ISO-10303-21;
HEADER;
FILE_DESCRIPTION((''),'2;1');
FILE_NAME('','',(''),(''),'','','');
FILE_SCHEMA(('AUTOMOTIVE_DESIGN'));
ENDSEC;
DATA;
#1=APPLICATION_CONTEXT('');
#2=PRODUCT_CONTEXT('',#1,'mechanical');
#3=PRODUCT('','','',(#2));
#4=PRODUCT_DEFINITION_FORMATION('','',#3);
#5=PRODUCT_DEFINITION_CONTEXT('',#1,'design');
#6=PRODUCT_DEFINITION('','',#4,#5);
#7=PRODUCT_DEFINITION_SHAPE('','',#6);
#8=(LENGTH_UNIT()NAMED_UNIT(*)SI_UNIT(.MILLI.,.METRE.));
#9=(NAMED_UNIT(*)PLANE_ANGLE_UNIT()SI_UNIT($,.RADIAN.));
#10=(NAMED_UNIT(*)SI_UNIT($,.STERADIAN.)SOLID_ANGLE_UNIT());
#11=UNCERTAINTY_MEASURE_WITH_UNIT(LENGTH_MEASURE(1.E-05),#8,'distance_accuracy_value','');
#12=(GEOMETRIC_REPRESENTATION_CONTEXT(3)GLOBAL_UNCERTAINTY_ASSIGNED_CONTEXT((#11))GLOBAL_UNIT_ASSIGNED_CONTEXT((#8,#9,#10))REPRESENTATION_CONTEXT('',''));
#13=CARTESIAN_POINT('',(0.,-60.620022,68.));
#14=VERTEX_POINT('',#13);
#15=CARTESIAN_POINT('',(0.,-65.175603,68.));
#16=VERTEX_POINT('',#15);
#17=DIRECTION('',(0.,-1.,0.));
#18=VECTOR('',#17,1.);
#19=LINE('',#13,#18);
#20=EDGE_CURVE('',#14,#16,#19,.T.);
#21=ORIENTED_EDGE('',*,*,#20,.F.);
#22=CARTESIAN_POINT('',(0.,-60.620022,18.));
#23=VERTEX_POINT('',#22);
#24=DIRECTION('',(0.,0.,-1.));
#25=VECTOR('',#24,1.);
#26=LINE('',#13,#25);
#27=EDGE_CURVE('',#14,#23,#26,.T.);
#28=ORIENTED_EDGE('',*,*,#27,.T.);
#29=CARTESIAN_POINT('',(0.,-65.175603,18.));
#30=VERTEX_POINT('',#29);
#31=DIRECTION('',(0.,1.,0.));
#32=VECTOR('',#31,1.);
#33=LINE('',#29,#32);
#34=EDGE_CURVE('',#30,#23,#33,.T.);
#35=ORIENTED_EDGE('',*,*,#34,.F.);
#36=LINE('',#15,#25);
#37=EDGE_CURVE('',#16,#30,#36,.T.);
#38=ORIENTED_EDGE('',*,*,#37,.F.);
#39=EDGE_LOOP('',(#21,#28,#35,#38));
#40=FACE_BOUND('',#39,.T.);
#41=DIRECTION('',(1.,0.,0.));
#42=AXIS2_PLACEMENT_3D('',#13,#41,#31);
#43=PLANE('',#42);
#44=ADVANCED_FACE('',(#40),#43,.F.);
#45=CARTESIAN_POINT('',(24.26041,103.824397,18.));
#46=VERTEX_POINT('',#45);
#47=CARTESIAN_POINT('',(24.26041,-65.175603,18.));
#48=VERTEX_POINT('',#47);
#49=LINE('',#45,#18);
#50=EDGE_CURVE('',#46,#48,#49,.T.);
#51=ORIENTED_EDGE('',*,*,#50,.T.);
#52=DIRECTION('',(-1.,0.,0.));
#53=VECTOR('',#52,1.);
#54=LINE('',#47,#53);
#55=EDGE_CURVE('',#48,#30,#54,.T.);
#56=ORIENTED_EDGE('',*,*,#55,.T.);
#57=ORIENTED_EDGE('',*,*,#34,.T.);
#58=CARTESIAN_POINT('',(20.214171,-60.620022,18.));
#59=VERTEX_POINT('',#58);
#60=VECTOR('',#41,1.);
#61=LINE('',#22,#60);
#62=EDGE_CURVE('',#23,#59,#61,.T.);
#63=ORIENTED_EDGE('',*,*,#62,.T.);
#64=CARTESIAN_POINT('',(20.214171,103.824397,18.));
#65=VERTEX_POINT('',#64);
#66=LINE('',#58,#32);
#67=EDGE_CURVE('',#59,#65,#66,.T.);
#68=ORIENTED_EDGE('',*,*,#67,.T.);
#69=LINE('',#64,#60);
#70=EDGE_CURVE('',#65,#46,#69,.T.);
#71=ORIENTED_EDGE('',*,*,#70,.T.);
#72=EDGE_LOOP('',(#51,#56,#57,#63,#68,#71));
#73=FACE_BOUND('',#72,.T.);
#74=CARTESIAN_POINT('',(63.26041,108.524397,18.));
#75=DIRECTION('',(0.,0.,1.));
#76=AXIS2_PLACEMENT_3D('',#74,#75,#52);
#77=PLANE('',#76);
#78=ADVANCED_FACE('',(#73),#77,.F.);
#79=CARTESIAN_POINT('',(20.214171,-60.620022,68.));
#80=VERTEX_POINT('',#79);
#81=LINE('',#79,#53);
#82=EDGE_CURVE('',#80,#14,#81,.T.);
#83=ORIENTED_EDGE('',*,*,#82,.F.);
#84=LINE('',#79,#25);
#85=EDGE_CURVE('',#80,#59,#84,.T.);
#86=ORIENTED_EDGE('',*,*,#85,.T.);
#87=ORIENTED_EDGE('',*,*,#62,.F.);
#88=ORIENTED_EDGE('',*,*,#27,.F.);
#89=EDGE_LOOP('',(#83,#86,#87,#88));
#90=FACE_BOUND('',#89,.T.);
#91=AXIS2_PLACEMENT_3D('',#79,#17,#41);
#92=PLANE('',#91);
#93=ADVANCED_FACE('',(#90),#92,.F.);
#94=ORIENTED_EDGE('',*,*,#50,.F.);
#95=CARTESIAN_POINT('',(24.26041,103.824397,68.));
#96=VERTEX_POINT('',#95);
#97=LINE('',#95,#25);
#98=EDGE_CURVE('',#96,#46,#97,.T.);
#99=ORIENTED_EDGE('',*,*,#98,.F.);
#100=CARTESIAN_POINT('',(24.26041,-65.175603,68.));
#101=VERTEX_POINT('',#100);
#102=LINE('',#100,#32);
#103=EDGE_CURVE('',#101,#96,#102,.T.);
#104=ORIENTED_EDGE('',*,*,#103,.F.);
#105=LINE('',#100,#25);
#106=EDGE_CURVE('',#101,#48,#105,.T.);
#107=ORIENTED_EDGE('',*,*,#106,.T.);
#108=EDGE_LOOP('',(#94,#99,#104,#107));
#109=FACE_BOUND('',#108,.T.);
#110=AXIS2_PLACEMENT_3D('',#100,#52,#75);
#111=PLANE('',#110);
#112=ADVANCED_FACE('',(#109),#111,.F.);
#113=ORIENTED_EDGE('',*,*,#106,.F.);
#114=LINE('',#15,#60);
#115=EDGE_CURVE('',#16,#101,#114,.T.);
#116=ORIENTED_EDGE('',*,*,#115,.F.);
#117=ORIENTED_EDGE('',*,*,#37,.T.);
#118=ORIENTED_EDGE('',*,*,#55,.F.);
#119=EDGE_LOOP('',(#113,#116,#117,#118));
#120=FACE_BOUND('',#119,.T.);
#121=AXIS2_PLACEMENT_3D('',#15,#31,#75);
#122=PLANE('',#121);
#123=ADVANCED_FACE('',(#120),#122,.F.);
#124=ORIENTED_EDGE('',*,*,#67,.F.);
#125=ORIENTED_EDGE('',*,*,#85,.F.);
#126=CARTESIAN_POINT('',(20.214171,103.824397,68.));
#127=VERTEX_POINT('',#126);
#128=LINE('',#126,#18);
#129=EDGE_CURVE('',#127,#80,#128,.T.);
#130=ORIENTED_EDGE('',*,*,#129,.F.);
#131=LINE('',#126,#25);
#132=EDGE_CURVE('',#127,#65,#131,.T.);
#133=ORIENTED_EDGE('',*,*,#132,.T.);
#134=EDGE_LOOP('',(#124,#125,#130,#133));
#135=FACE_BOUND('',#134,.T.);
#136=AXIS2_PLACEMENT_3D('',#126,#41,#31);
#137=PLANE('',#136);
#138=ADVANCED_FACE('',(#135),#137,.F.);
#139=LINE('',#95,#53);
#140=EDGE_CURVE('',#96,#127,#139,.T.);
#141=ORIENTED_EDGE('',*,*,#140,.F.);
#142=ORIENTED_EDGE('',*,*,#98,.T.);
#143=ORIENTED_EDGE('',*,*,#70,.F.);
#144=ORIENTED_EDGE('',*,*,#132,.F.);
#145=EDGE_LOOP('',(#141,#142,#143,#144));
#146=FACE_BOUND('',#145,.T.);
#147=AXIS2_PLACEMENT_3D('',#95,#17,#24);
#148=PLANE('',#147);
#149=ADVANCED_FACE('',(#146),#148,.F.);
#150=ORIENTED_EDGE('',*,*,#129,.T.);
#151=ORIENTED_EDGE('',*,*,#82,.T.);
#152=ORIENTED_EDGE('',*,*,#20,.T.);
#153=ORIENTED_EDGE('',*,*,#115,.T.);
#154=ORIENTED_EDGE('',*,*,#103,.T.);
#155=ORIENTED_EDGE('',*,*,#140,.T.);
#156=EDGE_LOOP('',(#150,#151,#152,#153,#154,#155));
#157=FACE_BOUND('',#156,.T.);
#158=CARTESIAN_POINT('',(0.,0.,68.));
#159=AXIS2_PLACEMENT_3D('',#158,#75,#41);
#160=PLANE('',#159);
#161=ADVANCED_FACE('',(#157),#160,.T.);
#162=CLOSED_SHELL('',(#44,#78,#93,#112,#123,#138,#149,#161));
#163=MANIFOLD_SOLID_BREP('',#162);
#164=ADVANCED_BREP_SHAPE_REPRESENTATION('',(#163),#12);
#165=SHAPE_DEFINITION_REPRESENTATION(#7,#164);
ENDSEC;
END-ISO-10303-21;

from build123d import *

# Parameters (mm, degrees)
BOSS_EXTRUDE1_DEPTH = 68
CUT_EXTRUDE1_START  = -18
CUT_EXTRUDE1_DEPTH  = 18


with BuildPart() as part:
    # Sketch1 → Boss-Extrude1 (new body)
    with BuildSketch(Plane.XY):
        Polygon((0, -65.175603221), (24.260410468, -65.175603221), (24.260410468, 103.824396779), (20.214170688, 103.824396779), (20.214170688, -60.620021665), (0, -60.620021665), align=None)
    extrude(amount=BOSS_EXTRUDE1_DEPTH)

    # Sketch2 → Cut-Extrude1 (cut)
    with BuildSketch(Plane(origin=(0, 0, 0), x_dir=(-1, 0, 0), z_dir=(0, 0, -1)).offset(CUT_EXTRUDE1_START)):
        Polygon((0, -65.175603221), (0, -60.620021665), (-20.214170688, -60.620021665), (-20.214170688, 103.824396779), (-24.260410468, 103.824396779), (-24.260410468, -65.175603221), align=None)
    extrude(amount=CUT_EXTRUDE1_DEPTH, mode=Mode.SUBTRACT)


solid = part.part
